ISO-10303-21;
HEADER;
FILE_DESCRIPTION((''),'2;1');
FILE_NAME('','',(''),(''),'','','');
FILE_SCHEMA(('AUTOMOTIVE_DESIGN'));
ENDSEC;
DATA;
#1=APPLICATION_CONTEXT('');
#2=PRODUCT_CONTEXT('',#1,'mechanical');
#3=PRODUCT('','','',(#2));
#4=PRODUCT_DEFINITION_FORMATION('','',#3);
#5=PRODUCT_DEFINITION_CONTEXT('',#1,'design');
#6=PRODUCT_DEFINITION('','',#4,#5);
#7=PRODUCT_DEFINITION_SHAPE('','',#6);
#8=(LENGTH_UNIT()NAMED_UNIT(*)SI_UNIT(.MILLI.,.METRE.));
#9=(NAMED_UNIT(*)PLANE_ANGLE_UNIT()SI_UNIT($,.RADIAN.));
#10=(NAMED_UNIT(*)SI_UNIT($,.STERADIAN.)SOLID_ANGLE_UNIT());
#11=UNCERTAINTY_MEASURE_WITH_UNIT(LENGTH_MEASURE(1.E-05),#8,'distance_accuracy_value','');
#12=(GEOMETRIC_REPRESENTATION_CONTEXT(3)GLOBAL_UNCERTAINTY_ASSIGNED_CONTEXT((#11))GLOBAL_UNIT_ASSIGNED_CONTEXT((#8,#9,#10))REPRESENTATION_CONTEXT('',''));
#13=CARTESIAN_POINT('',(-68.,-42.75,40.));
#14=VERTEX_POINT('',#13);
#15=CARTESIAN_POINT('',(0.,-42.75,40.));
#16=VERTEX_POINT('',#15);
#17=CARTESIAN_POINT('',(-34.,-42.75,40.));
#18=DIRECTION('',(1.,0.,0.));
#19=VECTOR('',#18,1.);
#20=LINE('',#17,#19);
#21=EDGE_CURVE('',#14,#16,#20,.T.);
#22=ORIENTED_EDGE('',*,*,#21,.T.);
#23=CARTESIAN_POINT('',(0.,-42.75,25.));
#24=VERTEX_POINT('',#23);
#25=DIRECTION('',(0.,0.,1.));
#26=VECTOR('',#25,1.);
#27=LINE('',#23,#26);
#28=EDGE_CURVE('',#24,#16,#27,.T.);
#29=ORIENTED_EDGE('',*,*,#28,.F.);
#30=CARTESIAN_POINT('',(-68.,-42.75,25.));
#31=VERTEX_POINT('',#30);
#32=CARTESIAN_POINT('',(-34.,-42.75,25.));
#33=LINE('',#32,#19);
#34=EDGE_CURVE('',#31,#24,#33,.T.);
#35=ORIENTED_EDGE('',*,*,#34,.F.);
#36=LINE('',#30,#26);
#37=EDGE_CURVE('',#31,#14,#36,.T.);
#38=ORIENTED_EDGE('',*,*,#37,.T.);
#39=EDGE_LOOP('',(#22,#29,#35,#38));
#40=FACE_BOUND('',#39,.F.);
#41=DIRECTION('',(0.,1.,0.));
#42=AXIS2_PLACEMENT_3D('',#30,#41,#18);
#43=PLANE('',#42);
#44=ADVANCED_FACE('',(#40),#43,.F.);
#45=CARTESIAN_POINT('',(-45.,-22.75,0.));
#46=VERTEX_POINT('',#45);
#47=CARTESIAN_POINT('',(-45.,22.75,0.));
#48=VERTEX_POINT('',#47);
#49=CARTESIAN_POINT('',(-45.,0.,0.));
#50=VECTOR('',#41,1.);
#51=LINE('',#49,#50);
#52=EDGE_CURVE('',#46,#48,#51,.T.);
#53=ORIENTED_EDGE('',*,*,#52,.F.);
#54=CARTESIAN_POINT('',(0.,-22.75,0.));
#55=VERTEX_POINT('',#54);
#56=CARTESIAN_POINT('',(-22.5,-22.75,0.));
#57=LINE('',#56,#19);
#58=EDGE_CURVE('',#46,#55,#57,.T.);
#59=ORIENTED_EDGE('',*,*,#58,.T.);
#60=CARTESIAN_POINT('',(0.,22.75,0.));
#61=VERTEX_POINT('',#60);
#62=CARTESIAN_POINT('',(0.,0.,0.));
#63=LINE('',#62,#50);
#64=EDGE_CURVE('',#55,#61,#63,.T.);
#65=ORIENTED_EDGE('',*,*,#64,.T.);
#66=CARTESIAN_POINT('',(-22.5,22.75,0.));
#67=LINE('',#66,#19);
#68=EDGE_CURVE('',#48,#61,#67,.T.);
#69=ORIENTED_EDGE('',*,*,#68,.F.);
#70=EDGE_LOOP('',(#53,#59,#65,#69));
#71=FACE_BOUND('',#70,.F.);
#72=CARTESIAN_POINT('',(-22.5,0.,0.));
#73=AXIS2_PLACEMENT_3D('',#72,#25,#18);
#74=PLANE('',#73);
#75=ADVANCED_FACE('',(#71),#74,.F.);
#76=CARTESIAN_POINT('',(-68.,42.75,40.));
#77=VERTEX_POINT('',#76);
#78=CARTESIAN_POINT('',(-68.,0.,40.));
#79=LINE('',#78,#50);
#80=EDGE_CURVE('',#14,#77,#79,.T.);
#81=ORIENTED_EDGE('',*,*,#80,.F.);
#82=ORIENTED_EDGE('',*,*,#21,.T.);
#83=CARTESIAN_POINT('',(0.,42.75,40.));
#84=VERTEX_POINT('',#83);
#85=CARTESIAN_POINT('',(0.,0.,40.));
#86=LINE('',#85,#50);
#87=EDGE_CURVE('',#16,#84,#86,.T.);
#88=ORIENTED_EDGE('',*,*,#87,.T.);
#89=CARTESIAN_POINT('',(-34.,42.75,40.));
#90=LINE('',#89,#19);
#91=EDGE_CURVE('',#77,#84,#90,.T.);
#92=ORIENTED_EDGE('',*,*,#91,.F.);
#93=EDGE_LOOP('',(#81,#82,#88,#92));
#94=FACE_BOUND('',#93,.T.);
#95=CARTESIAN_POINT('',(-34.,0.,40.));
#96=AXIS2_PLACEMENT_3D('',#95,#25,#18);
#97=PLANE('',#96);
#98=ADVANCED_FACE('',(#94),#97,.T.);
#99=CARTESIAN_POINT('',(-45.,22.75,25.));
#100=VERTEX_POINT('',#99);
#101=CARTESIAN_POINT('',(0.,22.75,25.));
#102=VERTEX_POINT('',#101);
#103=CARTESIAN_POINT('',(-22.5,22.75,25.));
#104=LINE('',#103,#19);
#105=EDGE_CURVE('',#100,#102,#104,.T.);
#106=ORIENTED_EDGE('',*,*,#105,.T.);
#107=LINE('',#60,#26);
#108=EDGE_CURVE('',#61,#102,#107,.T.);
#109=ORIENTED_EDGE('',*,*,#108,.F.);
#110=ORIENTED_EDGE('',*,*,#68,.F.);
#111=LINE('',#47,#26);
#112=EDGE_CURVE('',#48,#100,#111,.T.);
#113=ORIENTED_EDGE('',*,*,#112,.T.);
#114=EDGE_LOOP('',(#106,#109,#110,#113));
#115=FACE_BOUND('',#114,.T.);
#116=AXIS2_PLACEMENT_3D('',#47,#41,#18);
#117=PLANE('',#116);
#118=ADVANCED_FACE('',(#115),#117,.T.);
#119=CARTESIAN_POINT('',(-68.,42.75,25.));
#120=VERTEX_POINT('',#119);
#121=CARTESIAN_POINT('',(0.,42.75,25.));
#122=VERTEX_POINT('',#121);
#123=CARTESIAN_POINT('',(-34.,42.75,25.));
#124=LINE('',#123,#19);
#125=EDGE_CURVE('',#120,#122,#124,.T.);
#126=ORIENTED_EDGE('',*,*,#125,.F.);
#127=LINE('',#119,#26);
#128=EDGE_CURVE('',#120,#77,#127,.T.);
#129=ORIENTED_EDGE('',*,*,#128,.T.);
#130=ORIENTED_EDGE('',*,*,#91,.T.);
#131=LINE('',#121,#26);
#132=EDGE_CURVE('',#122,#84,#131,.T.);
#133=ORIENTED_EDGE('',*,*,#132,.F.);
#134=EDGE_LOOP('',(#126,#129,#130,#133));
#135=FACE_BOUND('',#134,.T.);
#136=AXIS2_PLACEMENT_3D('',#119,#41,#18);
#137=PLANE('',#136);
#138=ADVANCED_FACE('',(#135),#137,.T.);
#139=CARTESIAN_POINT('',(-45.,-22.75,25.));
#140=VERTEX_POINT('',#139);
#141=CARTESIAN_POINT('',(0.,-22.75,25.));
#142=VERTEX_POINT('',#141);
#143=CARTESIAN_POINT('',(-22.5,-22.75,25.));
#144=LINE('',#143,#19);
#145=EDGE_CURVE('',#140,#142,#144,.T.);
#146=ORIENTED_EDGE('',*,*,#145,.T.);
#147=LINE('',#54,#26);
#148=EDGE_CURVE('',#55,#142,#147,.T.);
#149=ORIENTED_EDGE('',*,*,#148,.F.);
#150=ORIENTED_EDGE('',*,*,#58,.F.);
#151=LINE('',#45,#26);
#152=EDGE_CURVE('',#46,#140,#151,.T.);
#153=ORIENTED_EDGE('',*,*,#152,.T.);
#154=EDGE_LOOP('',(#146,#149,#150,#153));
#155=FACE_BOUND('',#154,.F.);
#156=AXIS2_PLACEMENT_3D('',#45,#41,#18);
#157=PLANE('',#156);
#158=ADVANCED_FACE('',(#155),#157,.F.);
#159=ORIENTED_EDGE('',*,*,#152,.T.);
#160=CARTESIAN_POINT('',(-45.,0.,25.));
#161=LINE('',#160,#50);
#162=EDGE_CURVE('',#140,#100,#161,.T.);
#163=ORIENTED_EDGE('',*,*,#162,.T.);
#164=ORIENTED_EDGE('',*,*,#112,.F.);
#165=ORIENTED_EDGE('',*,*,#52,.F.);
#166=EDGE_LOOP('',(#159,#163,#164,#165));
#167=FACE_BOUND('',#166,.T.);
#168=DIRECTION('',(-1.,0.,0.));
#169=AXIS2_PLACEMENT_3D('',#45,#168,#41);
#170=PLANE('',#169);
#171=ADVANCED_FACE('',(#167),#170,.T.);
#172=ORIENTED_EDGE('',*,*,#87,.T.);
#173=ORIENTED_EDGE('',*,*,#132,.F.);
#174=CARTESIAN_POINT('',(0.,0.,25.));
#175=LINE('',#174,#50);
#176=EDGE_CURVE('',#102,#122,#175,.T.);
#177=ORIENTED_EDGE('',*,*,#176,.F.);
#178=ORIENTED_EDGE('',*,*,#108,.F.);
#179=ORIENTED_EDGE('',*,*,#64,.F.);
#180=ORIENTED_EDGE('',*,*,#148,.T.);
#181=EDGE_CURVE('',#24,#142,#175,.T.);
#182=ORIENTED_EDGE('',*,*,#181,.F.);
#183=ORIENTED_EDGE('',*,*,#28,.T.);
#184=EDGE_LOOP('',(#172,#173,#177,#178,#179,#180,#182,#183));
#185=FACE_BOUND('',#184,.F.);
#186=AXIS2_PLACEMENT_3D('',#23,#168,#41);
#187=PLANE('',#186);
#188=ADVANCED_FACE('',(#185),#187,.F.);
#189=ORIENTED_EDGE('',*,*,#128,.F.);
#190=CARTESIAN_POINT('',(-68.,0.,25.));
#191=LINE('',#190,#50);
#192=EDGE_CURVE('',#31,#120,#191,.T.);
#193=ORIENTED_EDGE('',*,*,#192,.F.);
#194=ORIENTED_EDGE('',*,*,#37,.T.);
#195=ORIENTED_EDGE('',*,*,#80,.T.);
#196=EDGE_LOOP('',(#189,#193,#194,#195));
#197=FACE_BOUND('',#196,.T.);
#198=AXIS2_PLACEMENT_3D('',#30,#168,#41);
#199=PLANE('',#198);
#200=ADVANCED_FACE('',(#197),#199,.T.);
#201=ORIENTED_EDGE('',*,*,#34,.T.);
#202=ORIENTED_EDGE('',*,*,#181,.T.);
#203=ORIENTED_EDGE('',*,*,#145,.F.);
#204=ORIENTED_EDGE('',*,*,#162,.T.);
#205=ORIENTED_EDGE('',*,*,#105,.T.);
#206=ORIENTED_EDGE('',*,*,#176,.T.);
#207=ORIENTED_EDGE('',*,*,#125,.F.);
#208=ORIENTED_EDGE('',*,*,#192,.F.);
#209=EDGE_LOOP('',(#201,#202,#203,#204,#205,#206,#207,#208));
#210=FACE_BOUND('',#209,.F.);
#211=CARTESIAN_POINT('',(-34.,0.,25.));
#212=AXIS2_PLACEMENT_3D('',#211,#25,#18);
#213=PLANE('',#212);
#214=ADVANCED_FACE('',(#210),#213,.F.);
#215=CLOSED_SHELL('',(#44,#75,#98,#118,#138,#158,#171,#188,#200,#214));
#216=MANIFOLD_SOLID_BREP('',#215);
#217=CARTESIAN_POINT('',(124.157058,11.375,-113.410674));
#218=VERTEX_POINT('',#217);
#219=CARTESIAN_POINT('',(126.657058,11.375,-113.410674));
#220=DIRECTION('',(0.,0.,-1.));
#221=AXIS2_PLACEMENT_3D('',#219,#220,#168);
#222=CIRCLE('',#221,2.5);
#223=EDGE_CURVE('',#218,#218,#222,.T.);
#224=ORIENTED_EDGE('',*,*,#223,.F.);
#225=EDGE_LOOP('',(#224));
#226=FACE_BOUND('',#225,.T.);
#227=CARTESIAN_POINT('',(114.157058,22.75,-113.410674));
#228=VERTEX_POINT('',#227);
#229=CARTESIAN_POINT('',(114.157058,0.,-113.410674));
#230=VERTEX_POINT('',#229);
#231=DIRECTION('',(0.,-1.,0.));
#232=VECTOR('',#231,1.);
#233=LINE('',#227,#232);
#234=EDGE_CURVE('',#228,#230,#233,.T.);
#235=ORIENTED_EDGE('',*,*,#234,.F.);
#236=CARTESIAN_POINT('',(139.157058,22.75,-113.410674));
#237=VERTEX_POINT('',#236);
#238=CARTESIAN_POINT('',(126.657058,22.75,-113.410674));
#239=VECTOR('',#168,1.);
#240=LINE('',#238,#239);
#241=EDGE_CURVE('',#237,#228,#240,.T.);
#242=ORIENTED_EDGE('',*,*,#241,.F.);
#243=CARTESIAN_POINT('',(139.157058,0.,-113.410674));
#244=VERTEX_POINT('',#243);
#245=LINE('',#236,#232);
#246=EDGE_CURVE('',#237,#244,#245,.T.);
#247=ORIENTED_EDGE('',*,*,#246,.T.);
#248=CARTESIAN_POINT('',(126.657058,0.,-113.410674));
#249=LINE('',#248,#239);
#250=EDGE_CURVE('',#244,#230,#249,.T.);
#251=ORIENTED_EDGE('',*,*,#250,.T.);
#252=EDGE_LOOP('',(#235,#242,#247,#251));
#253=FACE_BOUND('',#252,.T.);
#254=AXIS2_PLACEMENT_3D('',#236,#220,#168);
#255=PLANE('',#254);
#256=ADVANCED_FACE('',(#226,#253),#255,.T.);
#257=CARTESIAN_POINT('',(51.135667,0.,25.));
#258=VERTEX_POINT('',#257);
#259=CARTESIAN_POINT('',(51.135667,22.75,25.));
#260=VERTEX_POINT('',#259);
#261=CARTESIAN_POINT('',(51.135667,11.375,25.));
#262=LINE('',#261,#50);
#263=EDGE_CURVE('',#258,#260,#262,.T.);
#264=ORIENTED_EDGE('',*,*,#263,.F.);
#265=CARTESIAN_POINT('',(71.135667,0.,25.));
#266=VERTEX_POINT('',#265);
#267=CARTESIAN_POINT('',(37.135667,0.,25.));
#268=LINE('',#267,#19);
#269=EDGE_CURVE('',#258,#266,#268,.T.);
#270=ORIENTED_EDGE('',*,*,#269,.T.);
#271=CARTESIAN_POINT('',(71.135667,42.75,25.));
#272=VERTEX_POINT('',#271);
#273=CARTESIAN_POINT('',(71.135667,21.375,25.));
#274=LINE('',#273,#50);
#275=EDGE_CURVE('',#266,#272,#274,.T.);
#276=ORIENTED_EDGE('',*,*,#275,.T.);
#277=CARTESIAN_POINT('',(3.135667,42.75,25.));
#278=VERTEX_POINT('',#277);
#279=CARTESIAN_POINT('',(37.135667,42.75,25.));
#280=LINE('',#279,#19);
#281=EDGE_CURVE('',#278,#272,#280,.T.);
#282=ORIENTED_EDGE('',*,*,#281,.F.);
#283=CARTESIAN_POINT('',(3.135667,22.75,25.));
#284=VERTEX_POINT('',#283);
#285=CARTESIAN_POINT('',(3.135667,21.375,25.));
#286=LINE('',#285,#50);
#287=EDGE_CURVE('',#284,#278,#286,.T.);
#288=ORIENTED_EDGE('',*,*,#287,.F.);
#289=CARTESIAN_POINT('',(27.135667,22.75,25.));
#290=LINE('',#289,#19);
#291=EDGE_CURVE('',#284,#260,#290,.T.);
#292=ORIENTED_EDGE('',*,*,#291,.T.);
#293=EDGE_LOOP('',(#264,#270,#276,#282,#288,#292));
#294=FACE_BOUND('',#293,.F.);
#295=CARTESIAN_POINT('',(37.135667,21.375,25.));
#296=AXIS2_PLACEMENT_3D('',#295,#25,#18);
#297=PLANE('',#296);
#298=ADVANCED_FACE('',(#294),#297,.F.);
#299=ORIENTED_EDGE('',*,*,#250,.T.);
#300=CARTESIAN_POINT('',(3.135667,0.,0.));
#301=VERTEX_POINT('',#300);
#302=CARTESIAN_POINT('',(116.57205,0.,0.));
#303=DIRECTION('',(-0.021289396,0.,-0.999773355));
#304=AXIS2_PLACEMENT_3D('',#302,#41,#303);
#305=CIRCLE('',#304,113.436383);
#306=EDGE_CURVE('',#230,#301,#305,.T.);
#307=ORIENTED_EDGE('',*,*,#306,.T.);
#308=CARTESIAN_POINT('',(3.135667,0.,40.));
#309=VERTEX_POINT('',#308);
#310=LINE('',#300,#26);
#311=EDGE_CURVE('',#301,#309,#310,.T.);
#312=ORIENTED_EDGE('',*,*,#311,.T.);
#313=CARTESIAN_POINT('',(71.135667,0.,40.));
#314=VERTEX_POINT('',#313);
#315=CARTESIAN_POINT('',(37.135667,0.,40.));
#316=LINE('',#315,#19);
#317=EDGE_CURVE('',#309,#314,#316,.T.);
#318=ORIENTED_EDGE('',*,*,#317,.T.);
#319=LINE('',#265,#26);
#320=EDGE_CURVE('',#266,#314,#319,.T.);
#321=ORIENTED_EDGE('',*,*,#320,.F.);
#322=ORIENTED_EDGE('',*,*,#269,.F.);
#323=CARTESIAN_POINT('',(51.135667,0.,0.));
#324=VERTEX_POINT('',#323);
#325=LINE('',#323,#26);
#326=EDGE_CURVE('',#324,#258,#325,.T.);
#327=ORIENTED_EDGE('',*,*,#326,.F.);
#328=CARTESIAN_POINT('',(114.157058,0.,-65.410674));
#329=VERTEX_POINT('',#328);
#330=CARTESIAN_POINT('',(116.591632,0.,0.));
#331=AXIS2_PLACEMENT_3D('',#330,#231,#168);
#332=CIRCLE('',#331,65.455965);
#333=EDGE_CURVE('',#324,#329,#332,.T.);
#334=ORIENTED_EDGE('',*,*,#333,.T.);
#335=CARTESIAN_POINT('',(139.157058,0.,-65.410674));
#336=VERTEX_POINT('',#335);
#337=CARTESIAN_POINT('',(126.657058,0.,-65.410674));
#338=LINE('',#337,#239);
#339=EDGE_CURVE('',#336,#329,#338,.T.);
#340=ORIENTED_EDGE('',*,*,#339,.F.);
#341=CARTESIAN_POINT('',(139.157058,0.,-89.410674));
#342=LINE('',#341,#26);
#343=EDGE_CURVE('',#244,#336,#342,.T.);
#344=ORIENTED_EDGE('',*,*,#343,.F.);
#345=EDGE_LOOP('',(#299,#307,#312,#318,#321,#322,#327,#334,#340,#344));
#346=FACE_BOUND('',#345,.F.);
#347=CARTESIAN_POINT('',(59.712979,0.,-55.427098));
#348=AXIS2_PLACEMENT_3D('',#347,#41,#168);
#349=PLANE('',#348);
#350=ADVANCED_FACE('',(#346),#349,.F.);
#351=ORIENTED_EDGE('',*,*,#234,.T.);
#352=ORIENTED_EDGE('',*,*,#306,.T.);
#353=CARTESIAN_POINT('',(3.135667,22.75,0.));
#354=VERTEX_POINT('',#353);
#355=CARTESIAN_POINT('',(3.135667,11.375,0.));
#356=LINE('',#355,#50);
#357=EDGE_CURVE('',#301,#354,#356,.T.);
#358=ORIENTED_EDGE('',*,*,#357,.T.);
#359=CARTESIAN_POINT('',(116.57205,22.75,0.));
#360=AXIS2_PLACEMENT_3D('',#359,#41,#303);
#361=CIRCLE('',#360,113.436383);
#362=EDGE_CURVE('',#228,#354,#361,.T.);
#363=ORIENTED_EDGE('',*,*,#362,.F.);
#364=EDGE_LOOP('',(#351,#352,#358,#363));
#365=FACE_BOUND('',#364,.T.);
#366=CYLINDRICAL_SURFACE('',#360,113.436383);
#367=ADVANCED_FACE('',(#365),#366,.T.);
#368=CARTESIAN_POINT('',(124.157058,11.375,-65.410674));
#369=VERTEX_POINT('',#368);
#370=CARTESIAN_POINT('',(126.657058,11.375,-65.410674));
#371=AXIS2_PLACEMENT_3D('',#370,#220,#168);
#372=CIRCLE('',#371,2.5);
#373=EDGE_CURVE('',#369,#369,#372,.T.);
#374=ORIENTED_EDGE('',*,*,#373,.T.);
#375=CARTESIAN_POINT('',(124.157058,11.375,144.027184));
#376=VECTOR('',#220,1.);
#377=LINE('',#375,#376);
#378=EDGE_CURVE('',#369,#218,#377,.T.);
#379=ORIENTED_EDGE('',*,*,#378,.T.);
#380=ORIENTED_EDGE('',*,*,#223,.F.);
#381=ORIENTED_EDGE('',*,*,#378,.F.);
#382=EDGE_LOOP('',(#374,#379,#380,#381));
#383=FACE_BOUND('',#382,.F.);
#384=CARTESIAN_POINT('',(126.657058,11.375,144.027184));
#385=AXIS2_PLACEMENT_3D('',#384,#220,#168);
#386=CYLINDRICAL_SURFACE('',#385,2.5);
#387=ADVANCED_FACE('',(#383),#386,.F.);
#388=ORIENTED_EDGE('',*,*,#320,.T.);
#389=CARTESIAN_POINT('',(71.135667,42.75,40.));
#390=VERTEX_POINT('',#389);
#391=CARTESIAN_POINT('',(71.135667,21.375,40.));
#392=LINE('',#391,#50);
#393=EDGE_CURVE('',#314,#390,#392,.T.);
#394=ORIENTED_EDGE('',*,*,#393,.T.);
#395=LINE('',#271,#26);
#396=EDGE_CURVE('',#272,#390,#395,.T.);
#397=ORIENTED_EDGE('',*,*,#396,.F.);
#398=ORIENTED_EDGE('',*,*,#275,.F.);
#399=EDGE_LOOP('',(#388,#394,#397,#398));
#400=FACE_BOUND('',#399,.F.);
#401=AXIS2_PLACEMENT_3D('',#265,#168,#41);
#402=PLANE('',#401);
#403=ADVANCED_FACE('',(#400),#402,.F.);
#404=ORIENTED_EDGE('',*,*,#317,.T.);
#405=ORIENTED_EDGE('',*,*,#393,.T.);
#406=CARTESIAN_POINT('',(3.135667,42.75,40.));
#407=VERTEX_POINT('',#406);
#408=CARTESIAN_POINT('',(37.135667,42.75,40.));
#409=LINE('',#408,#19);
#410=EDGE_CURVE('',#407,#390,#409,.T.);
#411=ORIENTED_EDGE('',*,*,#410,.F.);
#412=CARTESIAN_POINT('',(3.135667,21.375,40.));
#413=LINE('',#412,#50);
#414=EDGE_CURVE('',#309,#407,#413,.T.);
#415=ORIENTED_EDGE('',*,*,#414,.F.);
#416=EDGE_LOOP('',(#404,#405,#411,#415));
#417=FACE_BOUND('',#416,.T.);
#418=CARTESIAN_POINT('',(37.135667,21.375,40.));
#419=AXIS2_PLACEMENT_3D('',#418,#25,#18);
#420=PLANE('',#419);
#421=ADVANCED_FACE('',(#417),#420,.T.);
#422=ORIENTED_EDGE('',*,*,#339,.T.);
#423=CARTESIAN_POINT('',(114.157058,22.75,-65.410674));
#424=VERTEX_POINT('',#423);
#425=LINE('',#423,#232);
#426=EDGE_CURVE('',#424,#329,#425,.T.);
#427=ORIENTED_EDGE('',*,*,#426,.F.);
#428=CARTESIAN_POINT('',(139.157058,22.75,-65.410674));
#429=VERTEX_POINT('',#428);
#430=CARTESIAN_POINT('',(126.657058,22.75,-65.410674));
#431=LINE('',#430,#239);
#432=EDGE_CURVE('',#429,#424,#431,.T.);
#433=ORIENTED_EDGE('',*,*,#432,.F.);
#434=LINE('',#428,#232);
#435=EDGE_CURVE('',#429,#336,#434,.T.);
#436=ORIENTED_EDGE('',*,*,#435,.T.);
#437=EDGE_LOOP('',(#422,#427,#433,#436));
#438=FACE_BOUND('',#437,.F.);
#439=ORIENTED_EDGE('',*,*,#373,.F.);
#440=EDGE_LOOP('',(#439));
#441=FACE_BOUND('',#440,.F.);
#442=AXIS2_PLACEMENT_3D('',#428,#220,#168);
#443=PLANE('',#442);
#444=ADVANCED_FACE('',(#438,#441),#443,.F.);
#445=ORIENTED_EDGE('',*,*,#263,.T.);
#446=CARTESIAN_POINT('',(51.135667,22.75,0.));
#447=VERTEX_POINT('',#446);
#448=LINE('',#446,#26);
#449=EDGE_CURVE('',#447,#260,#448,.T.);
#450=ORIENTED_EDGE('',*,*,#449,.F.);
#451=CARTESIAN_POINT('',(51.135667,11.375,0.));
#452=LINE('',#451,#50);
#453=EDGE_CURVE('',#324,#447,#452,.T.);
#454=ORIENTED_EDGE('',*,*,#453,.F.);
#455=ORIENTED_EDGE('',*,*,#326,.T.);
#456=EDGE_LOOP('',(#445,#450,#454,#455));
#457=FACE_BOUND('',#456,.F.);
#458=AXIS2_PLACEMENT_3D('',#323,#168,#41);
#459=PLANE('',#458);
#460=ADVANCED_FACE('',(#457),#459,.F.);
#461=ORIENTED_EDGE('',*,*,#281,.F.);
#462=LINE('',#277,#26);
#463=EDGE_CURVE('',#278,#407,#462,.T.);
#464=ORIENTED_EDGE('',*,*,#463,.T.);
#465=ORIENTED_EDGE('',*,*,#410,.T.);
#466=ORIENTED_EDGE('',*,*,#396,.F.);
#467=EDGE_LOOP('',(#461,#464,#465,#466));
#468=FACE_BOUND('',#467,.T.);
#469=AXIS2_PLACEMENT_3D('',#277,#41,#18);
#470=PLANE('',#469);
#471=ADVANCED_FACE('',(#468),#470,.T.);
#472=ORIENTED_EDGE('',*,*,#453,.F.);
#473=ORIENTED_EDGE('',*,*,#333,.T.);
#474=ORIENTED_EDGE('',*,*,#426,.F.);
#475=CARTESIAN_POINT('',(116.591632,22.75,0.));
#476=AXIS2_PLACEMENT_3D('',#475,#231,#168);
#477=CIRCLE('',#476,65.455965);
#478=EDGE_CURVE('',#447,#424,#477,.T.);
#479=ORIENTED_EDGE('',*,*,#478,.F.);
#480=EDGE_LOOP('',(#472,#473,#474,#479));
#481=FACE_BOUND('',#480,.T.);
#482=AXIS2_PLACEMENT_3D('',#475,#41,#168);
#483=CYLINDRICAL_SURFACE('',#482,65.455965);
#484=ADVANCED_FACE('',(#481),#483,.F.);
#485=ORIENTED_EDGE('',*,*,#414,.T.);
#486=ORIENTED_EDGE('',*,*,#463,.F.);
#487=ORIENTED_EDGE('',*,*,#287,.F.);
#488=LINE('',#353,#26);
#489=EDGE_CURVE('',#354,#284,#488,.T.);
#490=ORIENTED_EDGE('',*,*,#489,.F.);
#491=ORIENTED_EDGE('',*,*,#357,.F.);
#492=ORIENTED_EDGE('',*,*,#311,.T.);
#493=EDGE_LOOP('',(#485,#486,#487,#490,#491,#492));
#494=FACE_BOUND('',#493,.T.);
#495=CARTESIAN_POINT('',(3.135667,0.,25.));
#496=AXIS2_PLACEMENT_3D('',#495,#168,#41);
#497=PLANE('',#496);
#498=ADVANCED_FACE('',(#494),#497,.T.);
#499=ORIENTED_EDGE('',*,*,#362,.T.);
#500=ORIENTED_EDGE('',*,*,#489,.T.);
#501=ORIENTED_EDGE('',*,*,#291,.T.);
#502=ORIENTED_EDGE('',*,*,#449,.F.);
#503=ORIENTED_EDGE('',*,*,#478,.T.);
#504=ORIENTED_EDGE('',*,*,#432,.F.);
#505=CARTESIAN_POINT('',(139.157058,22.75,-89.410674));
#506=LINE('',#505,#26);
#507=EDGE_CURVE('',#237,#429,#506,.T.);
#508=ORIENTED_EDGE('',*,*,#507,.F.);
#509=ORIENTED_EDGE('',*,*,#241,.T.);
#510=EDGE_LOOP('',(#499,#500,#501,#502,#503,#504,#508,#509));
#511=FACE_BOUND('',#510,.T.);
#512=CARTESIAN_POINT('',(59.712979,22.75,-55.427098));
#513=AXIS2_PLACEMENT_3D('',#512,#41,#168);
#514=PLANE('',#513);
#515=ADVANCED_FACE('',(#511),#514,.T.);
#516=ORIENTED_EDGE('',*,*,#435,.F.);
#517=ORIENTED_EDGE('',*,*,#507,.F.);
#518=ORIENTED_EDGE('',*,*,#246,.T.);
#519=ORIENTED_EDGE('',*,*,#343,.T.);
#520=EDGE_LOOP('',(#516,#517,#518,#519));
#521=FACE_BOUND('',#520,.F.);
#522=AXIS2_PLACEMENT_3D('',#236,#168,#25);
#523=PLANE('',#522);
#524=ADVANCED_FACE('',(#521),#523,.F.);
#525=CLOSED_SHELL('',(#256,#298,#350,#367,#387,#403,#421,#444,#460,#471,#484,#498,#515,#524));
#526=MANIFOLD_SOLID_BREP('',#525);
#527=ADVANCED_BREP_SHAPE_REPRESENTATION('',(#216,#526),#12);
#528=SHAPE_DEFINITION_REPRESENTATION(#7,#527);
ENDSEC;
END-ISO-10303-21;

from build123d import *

# Parameters (mm, degrees)
F0_W     = 45
F0_H     = 45.5
F1_DEPTH = 25
F0_W_2   = 48
F0_H_2   = 22.75
F2_W     = 68
F2_H     = 85.5
F3_DEPTH = 15
F4_W     = 68
F4_H     = 42.75
F5_DEPTH = 15
F6_W     = 25
F6_H     = 48
F7_DEPTH = 22.75
F9_D     = 5


with BuildPart() as f1:
    # F0 (on Top) → F1 (new body)
    with BuildSketch(Plane.XY):
        with Locations((-22.5, 0)):
            Rectangle(F0_W, F0_H)
    extrude(amount=F1_DEPTH)

    # F2 (on face) → F3 (join)
    with BuildSketch(Plane.XY.offset(25)):
        with Locations((-34, 0)):
            Rectangle(F2_W, F2_H)
    extrude(amount=F3_DEPTH)


with BuildPart() as f1b:
    # F0 (on Top) → F1, piece 2 (new body)
    with BuildSketch(Plane.XY):
        with Locations((27.1356669497, 11.375)):
            Rectangle(F0_W_2, F0_H_2)
    extrude(amount=F1_DEPTH)

    # F4 (on face) → F5 (join)
    with BuildSketch(Plane.XY.offset(25)):
        with Locations((37.1356669497, 21.375)):
            Rectangle(F4_W, F4_H)
    extrude(amount=F5_DEPTH)

    # F6 (on face) → F7 (join)
    with BuildSketch(Plane(origin=(0, 22.75, 0), x_dir=(-1, 0, 0), z_dir=(0, 1, 0))):
        with BuildLine():
            ThreePointArc((-51.1356669497, 0), (-69.4543816945, -45.4154488879), (-114.1570582986, -65.4106736183))
            Line((-114.1570582986, -65.4106736183), (-114.1570582986, -113.4106736183))
            ThreePointArc((-114.1570582986, -113.4106736183), (-35.5110824214, -79.3532139041), (-3.1356669497, 0))
            Line((-3.1356669497, 0), (-51.1356669497, 0))
        make_face()
        with Locations((-126.6570582986, -89.4106736183)):
            Rectangle(F6_W, F6_H)
    extrude(amount=-F7_DEPTH)

    # F9 (through all)
    with Locations(Plane.XY.offset(-65.4106736183)):
        with Locations((126.6570582986, 11.375)):
            Hole(F9_D / 2)


solid = Compound([f1.part, f1b.part])
